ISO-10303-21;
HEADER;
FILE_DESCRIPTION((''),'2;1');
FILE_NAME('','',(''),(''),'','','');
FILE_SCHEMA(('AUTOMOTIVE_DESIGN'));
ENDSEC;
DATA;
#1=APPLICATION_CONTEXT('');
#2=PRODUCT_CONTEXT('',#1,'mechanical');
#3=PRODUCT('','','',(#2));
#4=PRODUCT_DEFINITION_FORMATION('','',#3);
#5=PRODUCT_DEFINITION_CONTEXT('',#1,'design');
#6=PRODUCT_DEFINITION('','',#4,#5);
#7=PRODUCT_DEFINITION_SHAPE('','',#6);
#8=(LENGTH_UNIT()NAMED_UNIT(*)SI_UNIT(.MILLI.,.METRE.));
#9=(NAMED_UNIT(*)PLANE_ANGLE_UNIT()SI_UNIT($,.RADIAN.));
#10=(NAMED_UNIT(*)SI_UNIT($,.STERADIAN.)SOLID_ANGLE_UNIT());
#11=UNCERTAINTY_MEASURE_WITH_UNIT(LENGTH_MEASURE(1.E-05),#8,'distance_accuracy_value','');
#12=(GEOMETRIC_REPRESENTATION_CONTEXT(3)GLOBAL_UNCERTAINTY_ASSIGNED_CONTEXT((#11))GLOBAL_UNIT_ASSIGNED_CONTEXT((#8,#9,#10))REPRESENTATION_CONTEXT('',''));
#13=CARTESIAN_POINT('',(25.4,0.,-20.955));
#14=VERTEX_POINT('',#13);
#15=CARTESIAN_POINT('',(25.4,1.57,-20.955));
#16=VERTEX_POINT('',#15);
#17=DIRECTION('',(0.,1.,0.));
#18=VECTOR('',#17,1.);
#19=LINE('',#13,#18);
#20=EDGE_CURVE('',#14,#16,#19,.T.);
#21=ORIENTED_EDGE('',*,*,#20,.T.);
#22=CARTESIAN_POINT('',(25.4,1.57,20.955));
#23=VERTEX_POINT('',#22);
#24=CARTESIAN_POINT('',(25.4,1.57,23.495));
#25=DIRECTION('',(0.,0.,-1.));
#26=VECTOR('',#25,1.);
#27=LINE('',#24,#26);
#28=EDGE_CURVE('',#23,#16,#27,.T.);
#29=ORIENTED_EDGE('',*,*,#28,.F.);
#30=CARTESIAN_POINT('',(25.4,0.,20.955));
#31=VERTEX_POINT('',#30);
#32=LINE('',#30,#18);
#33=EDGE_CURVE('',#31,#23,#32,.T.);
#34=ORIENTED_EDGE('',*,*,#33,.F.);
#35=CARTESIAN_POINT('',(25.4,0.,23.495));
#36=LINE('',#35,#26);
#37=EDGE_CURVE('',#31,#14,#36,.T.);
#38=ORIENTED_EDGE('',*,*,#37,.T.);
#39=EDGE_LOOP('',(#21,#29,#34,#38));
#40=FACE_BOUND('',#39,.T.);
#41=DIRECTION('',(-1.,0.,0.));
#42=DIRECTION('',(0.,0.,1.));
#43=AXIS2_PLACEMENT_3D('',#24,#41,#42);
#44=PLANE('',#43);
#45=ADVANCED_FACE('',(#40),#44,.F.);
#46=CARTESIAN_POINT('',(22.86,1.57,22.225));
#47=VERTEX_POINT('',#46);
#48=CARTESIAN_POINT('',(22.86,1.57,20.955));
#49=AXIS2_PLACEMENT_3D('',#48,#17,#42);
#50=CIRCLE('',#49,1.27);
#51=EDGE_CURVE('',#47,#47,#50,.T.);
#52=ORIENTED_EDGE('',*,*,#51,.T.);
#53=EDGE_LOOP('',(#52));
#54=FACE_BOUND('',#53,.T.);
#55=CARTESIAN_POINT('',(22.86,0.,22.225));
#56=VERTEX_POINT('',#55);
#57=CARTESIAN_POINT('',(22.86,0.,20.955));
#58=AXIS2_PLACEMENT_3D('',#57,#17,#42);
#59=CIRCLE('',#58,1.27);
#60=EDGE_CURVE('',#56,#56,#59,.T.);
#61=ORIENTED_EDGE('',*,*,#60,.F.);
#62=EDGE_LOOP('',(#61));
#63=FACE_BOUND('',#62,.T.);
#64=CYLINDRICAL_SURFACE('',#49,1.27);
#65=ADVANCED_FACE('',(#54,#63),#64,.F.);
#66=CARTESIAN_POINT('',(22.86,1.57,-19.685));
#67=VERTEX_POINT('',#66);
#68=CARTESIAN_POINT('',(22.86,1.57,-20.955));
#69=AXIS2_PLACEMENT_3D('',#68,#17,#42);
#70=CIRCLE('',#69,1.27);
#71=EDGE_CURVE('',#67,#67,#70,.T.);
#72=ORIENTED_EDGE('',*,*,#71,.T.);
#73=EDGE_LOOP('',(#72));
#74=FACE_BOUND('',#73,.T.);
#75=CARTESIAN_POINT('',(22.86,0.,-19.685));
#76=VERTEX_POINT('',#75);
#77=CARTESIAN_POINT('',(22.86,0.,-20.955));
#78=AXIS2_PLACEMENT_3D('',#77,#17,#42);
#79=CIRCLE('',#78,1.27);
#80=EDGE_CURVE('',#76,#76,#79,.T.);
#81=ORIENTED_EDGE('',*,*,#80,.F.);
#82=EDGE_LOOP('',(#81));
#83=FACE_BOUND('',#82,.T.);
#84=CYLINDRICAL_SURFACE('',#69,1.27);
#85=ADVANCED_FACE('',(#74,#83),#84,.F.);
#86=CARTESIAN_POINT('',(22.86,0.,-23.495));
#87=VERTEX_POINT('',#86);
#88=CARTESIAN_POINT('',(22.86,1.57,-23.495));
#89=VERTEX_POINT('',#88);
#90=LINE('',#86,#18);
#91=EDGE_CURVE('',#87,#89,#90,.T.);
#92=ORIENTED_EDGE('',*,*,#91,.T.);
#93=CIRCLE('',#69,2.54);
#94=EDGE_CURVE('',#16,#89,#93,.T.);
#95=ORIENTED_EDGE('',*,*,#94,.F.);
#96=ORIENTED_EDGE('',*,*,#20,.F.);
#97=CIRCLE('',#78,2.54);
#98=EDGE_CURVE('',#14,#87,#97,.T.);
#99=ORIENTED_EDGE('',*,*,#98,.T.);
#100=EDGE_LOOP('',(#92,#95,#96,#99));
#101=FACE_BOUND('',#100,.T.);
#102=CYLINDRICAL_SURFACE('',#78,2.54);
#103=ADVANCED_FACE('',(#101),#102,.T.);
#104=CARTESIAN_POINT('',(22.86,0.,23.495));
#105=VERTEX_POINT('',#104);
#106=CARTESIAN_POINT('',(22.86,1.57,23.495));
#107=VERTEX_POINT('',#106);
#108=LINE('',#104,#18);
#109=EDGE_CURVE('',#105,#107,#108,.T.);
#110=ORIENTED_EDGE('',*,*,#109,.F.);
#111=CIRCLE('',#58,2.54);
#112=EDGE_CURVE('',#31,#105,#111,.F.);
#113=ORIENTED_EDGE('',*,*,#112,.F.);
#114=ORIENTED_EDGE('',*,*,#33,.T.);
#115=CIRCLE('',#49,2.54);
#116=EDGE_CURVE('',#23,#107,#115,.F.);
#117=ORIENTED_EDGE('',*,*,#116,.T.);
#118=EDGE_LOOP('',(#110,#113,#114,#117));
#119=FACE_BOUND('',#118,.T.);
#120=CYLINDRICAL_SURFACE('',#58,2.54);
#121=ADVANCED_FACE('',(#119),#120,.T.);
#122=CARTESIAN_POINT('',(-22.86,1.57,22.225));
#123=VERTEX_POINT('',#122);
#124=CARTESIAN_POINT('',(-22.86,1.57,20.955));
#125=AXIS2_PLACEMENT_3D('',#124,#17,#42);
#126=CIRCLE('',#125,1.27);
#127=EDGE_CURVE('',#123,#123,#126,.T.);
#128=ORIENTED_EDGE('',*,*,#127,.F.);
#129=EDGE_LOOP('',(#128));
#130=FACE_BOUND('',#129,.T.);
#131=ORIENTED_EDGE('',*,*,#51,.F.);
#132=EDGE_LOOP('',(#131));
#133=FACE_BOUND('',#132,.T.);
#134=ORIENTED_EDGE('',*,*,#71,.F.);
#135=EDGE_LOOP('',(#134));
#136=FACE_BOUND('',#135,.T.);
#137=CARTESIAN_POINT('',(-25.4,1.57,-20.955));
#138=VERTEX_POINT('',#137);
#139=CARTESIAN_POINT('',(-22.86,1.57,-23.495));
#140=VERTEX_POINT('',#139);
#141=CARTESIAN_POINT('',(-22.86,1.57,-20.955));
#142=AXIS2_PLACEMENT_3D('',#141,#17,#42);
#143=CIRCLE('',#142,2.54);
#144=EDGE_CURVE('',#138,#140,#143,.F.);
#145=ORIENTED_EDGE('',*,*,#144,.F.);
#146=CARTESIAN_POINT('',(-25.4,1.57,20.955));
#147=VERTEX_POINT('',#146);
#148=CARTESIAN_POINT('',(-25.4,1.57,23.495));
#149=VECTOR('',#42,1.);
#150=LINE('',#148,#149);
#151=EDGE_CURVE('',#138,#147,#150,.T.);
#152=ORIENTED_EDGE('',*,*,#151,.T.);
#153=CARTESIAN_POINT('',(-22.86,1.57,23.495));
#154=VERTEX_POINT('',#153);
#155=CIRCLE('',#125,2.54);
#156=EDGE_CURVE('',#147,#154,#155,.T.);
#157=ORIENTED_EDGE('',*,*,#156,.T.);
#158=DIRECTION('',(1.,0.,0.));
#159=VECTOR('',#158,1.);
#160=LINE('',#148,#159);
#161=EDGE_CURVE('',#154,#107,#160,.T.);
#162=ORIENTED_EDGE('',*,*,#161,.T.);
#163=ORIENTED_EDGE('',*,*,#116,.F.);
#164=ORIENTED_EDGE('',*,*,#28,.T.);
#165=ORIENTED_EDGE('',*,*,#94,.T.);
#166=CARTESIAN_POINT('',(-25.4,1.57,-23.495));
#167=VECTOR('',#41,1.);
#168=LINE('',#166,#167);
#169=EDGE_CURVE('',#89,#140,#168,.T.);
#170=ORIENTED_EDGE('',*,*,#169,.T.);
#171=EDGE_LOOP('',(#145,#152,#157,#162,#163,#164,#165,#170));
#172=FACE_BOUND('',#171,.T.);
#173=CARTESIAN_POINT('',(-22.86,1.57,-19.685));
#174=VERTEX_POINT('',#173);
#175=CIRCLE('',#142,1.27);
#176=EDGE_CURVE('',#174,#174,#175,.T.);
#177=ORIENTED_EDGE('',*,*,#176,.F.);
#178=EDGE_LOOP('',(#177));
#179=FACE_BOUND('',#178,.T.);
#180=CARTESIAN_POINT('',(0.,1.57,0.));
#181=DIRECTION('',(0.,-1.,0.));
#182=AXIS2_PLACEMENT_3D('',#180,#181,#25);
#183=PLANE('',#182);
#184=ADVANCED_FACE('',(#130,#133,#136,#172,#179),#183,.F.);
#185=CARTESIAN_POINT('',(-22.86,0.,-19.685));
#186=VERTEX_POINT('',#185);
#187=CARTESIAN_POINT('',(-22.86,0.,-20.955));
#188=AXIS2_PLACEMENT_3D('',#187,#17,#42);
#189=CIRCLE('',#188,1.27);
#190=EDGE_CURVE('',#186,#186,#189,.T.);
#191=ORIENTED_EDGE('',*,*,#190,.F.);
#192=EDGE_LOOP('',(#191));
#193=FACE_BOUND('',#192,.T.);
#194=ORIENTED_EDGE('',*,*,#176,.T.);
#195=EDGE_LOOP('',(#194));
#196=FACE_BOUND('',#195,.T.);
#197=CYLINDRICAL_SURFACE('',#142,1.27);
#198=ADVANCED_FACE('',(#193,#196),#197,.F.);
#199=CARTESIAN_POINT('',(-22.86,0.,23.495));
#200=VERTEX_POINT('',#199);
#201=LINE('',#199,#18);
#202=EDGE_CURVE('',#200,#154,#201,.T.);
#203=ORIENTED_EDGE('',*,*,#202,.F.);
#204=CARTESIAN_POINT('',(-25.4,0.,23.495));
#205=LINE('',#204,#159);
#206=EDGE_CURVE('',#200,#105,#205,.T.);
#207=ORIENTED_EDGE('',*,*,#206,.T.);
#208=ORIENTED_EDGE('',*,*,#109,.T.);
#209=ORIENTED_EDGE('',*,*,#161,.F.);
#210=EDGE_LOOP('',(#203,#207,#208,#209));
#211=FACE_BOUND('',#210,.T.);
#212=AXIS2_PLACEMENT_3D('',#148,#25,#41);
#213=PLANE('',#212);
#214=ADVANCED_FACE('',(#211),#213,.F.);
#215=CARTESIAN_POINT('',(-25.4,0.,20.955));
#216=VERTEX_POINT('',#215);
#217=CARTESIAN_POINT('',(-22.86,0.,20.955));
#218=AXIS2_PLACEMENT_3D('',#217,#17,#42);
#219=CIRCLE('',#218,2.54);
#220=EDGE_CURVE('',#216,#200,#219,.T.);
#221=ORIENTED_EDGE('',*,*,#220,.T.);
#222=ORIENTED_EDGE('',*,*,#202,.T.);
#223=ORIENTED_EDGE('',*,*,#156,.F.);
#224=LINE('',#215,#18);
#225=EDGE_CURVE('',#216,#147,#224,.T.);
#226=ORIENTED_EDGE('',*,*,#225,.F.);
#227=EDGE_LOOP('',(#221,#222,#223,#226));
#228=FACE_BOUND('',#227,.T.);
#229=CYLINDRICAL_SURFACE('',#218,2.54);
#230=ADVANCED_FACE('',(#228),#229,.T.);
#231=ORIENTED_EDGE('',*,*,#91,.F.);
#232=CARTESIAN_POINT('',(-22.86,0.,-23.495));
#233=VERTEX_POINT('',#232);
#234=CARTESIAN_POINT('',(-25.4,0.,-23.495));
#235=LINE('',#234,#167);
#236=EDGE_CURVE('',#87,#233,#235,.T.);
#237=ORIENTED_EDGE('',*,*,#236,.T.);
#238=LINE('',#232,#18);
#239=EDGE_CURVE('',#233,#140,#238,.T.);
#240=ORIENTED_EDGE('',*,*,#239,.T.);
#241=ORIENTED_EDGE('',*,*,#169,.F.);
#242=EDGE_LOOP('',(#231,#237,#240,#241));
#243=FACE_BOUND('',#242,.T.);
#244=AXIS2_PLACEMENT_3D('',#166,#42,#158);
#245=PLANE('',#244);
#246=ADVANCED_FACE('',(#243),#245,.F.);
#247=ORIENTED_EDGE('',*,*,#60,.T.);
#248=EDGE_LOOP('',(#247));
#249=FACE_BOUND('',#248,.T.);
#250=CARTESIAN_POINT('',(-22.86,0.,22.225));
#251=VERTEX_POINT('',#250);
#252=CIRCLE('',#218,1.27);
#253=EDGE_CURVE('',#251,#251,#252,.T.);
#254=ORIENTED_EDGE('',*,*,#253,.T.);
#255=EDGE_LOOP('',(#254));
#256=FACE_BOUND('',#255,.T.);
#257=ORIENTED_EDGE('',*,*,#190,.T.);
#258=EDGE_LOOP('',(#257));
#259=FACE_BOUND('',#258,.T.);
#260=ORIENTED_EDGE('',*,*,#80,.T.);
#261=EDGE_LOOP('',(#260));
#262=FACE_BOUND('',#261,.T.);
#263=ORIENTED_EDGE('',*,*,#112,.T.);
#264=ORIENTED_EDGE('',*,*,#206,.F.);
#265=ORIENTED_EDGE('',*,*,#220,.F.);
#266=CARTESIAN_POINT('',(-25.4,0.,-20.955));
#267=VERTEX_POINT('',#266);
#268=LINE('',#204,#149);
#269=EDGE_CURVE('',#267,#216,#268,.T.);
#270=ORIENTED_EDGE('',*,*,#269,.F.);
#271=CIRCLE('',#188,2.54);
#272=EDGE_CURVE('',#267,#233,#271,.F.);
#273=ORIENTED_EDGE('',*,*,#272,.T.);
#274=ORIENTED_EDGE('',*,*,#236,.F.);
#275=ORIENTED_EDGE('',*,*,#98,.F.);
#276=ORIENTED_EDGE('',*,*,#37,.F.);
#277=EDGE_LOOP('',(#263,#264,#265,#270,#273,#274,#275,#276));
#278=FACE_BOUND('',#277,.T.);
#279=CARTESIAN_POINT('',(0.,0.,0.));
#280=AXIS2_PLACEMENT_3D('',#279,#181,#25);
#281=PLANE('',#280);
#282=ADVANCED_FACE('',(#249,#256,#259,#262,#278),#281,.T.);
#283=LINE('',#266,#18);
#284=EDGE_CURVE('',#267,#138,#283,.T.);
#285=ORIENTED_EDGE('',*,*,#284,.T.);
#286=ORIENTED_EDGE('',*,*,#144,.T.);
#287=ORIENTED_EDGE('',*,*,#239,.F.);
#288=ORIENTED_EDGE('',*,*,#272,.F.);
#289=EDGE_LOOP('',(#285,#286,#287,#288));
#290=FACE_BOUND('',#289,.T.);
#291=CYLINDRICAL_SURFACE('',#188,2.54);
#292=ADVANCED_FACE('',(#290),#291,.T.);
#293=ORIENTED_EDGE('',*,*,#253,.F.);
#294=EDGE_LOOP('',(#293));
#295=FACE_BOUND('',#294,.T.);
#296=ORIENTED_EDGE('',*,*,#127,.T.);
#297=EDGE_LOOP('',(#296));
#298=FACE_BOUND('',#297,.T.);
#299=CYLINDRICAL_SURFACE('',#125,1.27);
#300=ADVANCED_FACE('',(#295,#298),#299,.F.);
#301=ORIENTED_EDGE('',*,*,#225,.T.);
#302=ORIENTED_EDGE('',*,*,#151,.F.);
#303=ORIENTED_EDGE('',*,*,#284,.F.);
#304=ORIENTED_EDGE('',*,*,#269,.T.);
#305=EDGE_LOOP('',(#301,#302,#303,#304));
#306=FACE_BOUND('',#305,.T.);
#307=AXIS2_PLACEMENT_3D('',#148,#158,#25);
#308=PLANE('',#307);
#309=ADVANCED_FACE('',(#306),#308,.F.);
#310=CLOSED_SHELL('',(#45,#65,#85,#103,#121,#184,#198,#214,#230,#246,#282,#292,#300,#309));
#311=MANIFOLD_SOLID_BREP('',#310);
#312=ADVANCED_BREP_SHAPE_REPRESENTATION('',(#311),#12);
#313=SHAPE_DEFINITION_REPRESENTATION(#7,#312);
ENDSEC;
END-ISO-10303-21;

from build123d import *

# Parameters (mm, degrees)
SKETCH1_W                = 50.8
SKETCH1_H                = 46.99
BOSS_EXTRUDE1_DEPTH      = 1.57
F_1_16_0_1_DOWEL_HOLE1_D = 2.54
CUT_EXTRUDE1_DEPTH       = 35.635818526


with BuildPart() as part:
    # Sketch1 → Boss-Extrude1 (new body)
    with BuildSketch(Plane(origin=(0, 0, 0), x_dir=(1, 0, 0), z_dir=(0, 1, 0))):
        Rectangle(SKETCH1_W, SKETCH1_H)
    extrude(amount=BOSS_EXTRUDE1_DEPTH)

    # 1/16 (0.1) Dowel Hole1 (through all)
    with Locations(Plane(origin=(-22.86, 1.57, -20.955), x_dir=(0, 0, 1), z_dir=(0, 1, 0))):
        with Locations((0, 0), (0, 45.72), (41.91, 45.72), (41.91, 0)):
            Hole(F_1_16_0_1_DOWEL_HOLE1_D / 2)

    # Sketch2 → Cut-Extrude1 (cut, through all)
    with BuildSketch(Plane(origin=(0, 1.57, 0), x_dir=(1, 0, 0), z_dir=(0, 1, 0))):
        with BuildLine():
            Line((-25.4, 23.495), (-25.4, 20.955))
            ThreePointArc((-25.4, 20.955), (-24.656051224, 22.751051224), (-22.86, 23.495))
            Line((-22.86, 23.495), (-25.4, 23.495))
        make_face()
        with BuildLine():
            Line((25.4, 23.495), (22.86, 23.495))
            ThreePointArc((22.86, 23.495), (24.656051224, 22.751051224), (25.4, 20.955))
            Line((25.4, 20.955), (25.4, 23.495))
        make_face()
        with BuildLine():
            ThreePointArc((25.4, -20.955), (24.656051224, -22.751051224), (22.86, -23.495))
            Line((22.86, -23.495), (25.4, -23.495))
            Line((25.4, -23.495), (25.4, -20.955))
        make_face()
        with BuildLine():
            ThreePointArc((-22.86, -23.495), (-24.656051224, -22.751051224), (-25.4, -20.955))
            Line((-25.4, -20.955), (-25.4, -23.495))
            Line((-25.4, -23.495), (-22.86, -23.495))
        make_face()
    extrude(amount=-CUT_EXTRUDE1_DEPTH, mode=Mode.SUBTRACT)


solid = part.part
